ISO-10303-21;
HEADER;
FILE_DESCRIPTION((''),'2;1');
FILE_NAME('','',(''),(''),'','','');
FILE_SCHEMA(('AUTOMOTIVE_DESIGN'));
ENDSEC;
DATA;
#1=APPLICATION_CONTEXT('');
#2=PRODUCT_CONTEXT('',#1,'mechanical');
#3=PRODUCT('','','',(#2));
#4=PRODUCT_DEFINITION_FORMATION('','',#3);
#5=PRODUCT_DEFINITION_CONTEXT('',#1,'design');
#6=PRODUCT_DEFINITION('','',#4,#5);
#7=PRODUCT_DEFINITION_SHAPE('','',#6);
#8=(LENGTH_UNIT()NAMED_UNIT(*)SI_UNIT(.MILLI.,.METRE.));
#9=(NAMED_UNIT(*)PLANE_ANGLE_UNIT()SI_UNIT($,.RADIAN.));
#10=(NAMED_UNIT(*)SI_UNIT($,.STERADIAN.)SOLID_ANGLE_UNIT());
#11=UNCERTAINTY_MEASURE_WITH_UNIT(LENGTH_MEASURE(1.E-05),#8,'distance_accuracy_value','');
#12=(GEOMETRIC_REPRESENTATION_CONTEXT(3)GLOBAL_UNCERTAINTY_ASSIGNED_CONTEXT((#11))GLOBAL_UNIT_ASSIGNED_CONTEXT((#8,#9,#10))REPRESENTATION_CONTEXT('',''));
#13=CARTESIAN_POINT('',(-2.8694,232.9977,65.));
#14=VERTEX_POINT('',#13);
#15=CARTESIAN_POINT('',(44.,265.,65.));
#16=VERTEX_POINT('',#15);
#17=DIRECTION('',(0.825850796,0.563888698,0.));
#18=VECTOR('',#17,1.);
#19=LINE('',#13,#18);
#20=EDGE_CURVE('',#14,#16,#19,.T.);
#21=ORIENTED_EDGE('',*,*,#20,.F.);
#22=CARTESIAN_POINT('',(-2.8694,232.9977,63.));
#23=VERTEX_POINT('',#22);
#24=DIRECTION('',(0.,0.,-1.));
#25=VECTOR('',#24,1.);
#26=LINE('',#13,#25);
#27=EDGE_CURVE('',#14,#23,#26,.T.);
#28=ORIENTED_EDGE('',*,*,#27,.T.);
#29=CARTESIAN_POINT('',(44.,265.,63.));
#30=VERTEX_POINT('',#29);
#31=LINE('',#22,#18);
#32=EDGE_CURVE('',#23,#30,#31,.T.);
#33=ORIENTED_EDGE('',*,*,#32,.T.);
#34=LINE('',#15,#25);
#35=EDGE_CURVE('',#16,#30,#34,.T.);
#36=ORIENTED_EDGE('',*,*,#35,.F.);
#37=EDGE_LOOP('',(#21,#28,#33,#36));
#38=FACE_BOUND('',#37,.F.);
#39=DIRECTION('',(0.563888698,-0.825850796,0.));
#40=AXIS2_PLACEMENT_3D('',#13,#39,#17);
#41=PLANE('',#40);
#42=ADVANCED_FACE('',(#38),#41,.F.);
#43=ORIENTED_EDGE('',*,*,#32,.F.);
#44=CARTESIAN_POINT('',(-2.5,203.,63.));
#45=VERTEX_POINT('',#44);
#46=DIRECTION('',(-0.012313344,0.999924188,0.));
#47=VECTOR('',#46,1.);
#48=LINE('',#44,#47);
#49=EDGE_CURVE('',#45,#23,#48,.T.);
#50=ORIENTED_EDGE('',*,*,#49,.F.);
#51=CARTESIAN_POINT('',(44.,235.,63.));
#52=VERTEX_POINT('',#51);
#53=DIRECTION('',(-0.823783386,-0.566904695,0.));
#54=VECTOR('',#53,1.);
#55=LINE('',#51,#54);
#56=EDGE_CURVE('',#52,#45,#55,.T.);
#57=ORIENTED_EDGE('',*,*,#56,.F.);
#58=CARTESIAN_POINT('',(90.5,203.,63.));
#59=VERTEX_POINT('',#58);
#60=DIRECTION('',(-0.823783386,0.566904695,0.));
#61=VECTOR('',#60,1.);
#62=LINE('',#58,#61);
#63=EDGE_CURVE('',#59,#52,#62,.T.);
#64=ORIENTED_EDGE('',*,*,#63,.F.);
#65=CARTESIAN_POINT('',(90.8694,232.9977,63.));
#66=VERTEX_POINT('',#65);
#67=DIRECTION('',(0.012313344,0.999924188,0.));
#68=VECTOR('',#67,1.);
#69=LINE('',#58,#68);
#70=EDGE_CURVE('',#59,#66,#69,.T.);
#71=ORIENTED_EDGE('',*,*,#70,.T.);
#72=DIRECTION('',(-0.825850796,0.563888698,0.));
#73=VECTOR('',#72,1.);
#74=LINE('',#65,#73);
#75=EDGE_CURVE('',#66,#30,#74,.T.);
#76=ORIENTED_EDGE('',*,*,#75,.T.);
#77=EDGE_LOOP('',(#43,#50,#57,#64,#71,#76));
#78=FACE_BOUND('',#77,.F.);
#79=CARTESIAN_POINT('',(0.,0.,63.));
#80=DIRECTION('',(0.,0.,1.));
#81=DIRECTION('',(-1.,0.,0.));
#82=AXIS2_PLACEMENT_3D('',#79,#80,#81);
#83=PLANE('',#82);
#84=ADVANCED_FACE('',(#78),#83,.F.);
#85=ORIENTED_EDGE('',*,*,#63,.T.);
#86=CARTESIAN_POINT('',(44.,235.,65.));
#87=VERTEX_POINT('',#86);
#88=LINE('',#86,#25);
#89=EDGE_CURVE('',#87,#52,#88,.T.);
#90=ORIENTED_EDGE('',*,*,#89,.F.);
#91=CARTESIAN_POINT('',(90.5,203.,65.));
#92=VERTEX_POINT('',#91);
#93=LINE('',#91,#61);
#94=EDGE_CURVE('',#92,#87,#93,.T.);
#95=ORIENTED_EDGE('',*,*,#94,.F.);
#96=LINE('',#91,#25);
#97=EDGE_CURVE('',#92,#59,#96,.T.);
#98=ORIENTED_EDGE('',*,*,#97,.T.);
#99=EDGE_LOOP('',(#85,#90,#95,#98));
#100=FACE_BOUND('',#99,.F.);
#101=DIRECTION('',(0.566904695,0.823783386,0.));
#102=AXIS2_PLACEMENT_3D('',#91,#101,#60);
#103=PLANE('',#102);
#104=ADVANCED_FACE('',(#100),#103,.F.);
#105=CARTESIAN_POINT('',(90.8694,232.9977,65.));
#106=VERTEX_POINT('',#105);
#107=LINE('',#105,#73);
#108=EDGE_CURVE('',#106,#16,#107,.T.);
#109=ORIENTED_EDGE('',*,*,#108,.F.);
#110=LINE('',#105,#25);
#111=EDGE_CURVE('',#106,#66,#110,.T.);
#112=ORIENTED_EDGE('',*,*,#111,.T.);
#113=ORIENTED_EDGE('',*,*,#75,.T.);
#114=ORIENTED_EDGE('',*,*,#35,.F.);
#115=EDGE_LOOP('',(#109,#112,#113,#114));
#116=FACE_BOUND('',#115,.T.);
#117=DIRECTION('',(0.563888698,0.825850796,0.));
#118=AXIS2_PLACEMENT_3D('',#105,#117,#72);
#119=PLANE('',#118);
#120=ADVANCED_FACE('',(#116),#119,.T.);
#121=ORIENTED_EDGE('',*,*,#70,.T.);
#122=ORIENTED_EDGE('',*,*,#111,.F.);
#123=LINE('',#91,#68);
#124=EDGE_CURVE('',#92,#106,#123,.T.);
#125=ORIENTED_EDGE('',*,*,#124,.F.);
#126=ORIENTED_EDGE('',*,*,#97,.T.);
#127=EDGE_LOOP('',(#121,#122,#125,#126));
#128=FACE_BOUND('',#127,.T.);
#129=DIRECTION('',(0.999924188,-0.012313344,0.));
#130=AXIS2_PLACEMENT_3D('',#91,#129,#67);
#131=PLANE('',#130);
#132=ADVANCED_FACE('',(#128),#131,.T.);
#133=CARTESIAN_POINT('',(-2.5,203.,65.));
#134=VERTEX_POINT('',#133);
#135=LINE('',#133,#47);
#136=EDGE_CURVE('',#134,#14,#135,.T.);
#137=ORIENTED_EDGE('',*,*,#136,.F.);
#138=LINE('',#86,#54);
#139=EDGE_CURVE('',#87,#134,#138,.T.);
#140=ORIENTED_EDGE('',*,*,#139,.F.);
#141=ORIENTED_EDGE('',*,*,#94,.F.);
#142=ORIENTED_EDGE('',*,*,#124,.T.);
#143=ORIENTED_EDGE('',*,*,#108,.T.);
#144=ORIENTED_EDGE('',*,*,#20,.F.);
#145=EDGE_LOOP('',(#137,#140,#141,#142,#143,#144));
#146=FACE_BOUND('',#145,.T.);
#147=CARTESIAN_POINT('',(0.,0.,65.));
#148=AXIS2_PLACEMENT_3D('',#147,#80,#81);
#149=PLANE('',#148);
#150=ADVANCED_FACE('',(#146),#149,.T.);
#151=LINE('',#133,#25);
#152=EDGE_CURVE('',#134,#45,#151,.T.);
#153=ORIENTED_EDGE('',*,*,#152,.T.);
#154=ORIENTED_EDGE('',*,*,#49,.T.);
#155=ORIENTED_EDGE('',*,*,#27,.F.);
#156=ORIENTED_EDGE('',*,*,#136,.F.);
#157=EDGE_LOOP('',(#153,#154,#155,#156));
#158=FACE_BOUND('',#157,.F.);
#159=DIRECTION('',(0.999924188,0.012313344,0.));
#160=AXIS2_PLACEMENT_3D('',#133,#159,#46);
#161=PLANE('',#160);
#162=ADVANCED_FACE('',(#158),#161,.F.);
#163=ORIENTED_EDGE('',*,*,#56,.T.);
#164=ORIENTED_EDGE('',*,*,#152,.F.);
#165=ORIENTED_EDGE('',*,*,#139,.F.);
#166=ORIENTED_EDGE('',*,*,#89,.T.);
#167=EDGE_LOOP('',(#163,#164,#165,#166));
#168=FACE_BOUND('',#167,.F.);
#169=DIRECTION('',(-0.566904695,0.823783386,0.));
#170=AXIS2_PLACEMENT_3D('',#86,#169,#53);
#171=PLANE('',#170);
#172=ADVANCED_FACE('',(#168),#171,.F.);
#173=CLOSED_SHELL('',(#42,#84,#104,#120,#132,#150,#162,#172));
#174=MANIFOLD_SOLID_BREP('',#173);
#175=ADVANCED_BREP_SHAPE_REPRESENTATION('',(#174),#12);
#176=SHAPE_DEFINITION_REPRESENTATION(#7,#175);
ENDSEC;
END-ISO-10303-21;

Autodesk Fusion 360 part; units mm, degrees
sketch "Esboço1" plane through (0, 0, 0) normal (0, 0, 1) x (1, 0, 0)
  line L0 (0, 0) -> (88, 0)
  line L1 (-2.5, 203) -> (0, 0)
  line L2 (90.5, 203) -> (88, 0)
  line L3 (44, 235) -> (90.5, 203)
  line L4 (44, 235) -> (-2.5, 203)
  line L5 (88.487, 201.9575) -> (86.0245, 2)
  line L6 (1.9755, 2) -> (86.0245, 2)
  line L7 (-0.487, 201.9575) -> (1.9755, 2)
  line L8 (44, 232.5722) -> (-0.487, 201.9575)
  line L9 (44, 232.5722) -> (88.487, 201.9575)
  dimension "d1" = 88
  dimension "d7" = -2
sketch "Esboço2" plane through (0, 0, 5) normal (0, 0, 1) x (-1, 0, 0)
  line L0 (-1.9755, -2) -> (0.487, -201.9575)
  line L1 (0.487, -201.9575) -> (-44, -232.5722)
  line L2 (-44, -232.5722) -> (-88.487, -201.9575)
  line L3 (-88.487, -201.9575) -> (-86.0245, -2)
  line L4 (-86.0245, -2) -> (-1.9755, -2)
  line L5 (-90.5, -203) -> (-44, -235)
  line L6 (-44, -235) -> (2.5, -203)
  line L7 (2.5, -203) -> (0, 0)
  line L8 (0, 0) -> (-88, 0)
  line L9 (-88, 0) -> (-90.5, -203)
  line L10 (-44, -228.9304) -> (-85.4675, -200.3937)
  line L11 (-85.4675, -200.3937) -> (-83.0612, -5)
  line L12 (-83.0612, -5) -> (-4.9388, -5)
  line L13 (-4.9388, -5) -> (-2.5325, -200.3937)
  line L14 (-2.5325, -200.3937) -> (-44, -228.9304)
  dimension "d10" = 3
sketch "Esboço3" plane through (0, 0, 5) normal (0, 0, 1) x (-1, 0, 0)
  line L0 (-4.9388, -5) -> (-2.5325, -200.3937)
  line L1 (-2.5325, -200.3937) -> (-44, -228.9304)
  line L2 (-44, -228.9304) -> (-85.4675, -200.3937)
  line L3 (-85.4675, -200.3937) -> (-83.0612, -5)
  line L4 (-83.0612, -5) -> (-4.9388, -5)
  line L5 (-4.0422, -199.6117) -> (-44, -227.1096)
  line L6 (-44, -227.1096) -> (-83.9578, -199.6117)
  line L7 (-83.9578, -199.6117) -> (-81.5796, -6.5)
  line L8 (-81.5796, -6.5) -> (-6.4204, -6.5)
  line L9 (-6.4204, -6.5) -> (-4.0422, -199.6117)
  line L10 (-86.0245, -2) -> (-88.487, -201.9575)
  line L11 (-88.487, -201.9575) -> (-44, -232.5722)
  line L12 (-44, -232.5722) -> (0.487, -201.9575)
  line L13 (0.487, -201.9575) -> (-1.9755, -2)
  line L14 (-1.9755, -2) -> (-86.0245, -2)
  dimension "d13" = 1.5
sketch "Esboço4" plane through (0, 0, 5) normal (0, 0, 1) x (-1, 0, 0)
  line L0 (-81.5796, -6.5) -> (-6.4204, -6.5)
  line L1 (-6.4204, -6.5) -> (-4.0422, -199.6117)
  line L2 (-4.0422, -199.6117) -> (-44, -227.1096)
  line L3 (-44, -227.1096) -> (-83.9578, -199.6117)
  line L4 (-83.9578, -199.6117) -> (-81.5796, -6.5)
  line L5 (-44, -233.1791) -> (0.9903, -202.2181)
  line L6 (0.9903, -202.2181) -> (-1.4816, -1.5)
  line L7 (-1.4816, -1.5) -> (-86.5184, -1.5)
  line L8 (-86.5184, -1.5) -> (-88.9903, -202.2181)
  line L9 (-88.9903, -202.2181) -> (-44, -233.1791)
  line L10 (-83.0612, -5) -> (-85.4675, -200.3937)
  line L11 (-85.4675, -200.3937) -> (-44, -228.9304)
  line L12 (-44, -228.9304) -> (-2.5325, -200.3937)
  line L13 (-2.5325, -200.3937) -> (-4.9388, -5)
  line L14 (-4.9388, -5) -> (-83.0612, -5)
sketch "Esboço5" plane through (86.4868, -1.0651, 0) normal (-0.9999, 0.0123, 0) x (-0.0123, -0.9999, 0)
  line L0 (-2.5653, 5) -> (-2.5653, 65)
  line L1 (-2.5653, 65) -> (-203.2986, 65)
  line L2 (-203.2986, 65) -> (-203.2986, 5)
  line L3 (-2.5653, 65) -> (-2.5653, 63)
  line L4 (-2.5653, 63) -> (-10.5653, 63)
  line L5 (-10.5653, 63) -> (-10.5653, 60)
  line L6 (-10.5653, 60) -> (-2.5653, 60)
  line L7 (-203.2986, 5) -> (-2.5653, 5)
  dimension "d19" = 2
  dimension "d20" = 8
  dimension "d21" = 3
sketch "Esboço6" plane through (0, 0, 63) normal (0, 0, 1) x (-1, 0, 0)
  line L0 (-86.6169, -9.4994) -> (-78.6175, -9.5979)
  line L1 (-78.6175, -9.5979) -> (-78.519, -1.5985)
  line L2 (-78.519, -1.5985) -> (-86.5184, -1.5)
  line L3 (-78.519, -1.5985) -> (-86.6169, -9.4994)
  line L4 (-86.5184, -1.5) -> (-86.6169, -9.4994)
sketch "Esboço7" plane through (0, 0, 63) normal (0, 0, 1) x (-1, 0, 0)
  line L0 (-86.6169, -9.4994) -> (-78.519, -1.5985)
  line L1 (-78.519, -1.5985) -> (-86.5184, -1.5)
  circle A0 centre (-84.5431, -3.5245) radius 1
  line L2 (-86.5184, -1.5) -> (-86.6169, -9.4994)
  dimension "d26" = 2
sketch "Esboço8" plane through (1.4999, 0.0185, 0) normal (0.9999, 0.0123, 0) x (-0.0123, 0.9999, 0)
  line L0 (202.215, 5) -> (202.215, 65)
  line L1 (202.215, 65) -> (1.4816, 65)
  line L2 (1.4816, 65) -> (1.4816, 5)
  line L3 (1.4816, 65) -> (1.4816, 63)
  line L4 (1.4816, 63) -> (9.4816, 63)
  line L5 (9.4816, 63) -> (9.4816, 60)
  line L6 (9.4816, 60) -> (1.4816, 60)
  line L7 (1.4816, 5) -> (202.215, 5)
  dimension "d29" = 2
  dimension "d30" = 8
sketch "Esboço9" plane through (0, 0, 63) normal (0, 0, 1) x (-1, 0, 0)
  line L0 (-1.4816, -1.5) -> (-9.481, -1.5985)
  line L1 (-9.481, -1.5985) -> (-9.3825, -9.5979)
  line L2 (-9.3825, -9.5979) -> (-1.3831, -9.4994)
  line L3 (-9.481, -1.5985) -> (-1.3831, -9.4994)
  line L4 (-1.3831, -9.4994) -> (-1.4816, -1.5)
sketch "Esboço10" plane through (0, 0, 63) normal (0, 0, 1) x (-1, 0, 0)
  line L0 (-9.481, -1.5985) -> (-1.3831, -9.4994)
  line L1 (-1.4816, -1.5) -> (-9.481, -1.5985)
  circle A0 centre (-3.4569, -3.5245) radius 1
  line L2 (-1.3831, -9.4994) -> (-1.4816, -1.5)
  dimension "d35" = 2
sketch "Esboço11" plane through (-94.7554, 137.6915, 0) normal (0.5669, -0.8238, 0) x (0.8238, 0.5669, 0)
  line L0 (168.4368, 5) -> (168.4368, 65)
  line L1 (168.4368, 65) -> (113.8226, 65)
  line L2 (113.8226, 65) -> (113.8226, 5)
  line L3 (113.8226, 5) -> (168.4368, 5)
sketch "Esboço12" plane through (0, 0, 0) normal (0, 0, 1) x (1, 0, 0)
ref_plane "Plano de trabalho2" through (0, 0, 60) normal (0, 0, 1) x (1, 0, 0)
sketch "Esboço13" plane through (0, 0, 60) normal (0, 0, 1) x (1, 0, 0)
  line L0 (44, 229.2) -> (38, 229.2)
  line L1 (44, 229.2) -> (49.6973, 229.2)
  line L2 (38, 229.2) -> (44, 233.5)
  line L3 (44, 233.5) -> (49.6973, 229.2)
sketch "Esboço14" plane through (0, 0, 63) normal (0, 0, 1) x (-1, 0, 0)
  line L0 (-38, -229.2) -> (-49.6973, -229.2)
  line L1 (-49.6973, -229.2) -> (-44, -233.5)
  circle A0 centre (-43.9788, -231.1896) radius 1
  line L2 (-44, -233.5) -> (-38, -229.2)
  dimension "d48" = 2
sketch "Esboço15" plane through (0, 0, 65) normal (0, 0, 1) x (-1, 0, 0)
  line L0 (-44, -233.1791) -> (-88.9903, -202.2181)
  line L1 (-88.9903, -202.2181) -> (-86.5184, -1.5)
  line L2 (-86.5184, -1.5) -> (-1.4816, -1.5)
  line L3 (-1.4816, -1.5) -> (0.9903, -202.2181)
  line L4 (0.9903, -202.2181) -> (-44, -233.1791)
  line L5 (-88, 0) -> (-90.5, -203)
  line L6 (-90.5, -203) -> (-44, -235)
  line L7 (-44, -235) -> (2.5, -203)
  line L8 (2.5, -203) -> (0, 0)
  line L9 (0, 0) -> (-88, 0)
  line L10 (-196.5184, -1.5) -> (-111.4816, -1.5)
  line L11 (-198.9903, -202.2181) -> (-196.5184, -1.5)
  line L12 (-111.4816, -1.5) -> (-109.0097, -202.2181)
  line L13 (168.4368, 65) -> (113.8226, 65)
  line L14 (168.4368, 65) -> (113.8226, 65)
  line L15 (168.4368, 65) -> (113.8226, 65)
  line L16 (-154, -233.1791) -> (-198.9903, -202.2181)
  line L17 (-109.0097, -202.2181) -> (-154, -233.1791)
sketch "Esboço16" plane through (0, 0, 63) normal (0, 0, 1) x (-1, 0, 0)
  line L0 (-38, -229.2) -> (-49.6973, -229.2)
  line L1 (-49.6973, -229.2) -> (-44, -233.5)
  line L2 (-44, -233.5) -> (-38, -229.2)
sketch "Esboço17" plane through (0, 0, 67) normal (0, 0, 1) x (-1, 0, 0)
  line L0 (-109.0097, -202.2181) -> (-111.4816, -1.5)
  line L1 (-111.4816, -1.5) -> (-196.5184, -1.5)
  line L2 (-196.5184, -1.5) -> (-198.9903, -202.2181)
  line L3 (-198.9903, -202.2181) -> (-154, -233.1791)
  line L4 (-154, -233.1791) -> (-109.0097, -202.2181)
  circle A0 centre (-154, -231.1891) radius 1
  dimension "d55" = 1.99
  dimension "d56" = 2
sketch "Esboço18" plane through (0, 0, 63) normal (0, 0, 1) x (-1, 0, 0)
  circle A0 centre (-84.5431, -3.5245) radius 1
  line L0 (-86.6169, -9.4994) -> (-78.519, -1.5985)
  line L1 (-78.519, -1.5985) -> (-86.5184, -1.5)
  line L2 (-86.5184, -1.5) -> (-86.6169, -9.4994)
sketch "Esboço19" plane through (0, 0, 67) normal (0, 0, 1) x (-1, 0, 0)
  circle A0 centre (-154, -231.1891) radius 1
  line L0 (-109.0097, -202.2181) -> (-111.4816, -1.5)
  line L1 (-111.4816, -1.5) -> (-196.5184, -1.5)
  line L2 (-196.5184, -1.5) -> (-198.9903, -202.2181)
  line L3 (-198.9903, -202.2181) -> (-154, -233.1791)
  line L4 (-154, -233.1791) -> (-109.0097, -202.2181)
  circle A1 centre (-194.2131, -3.138) radius 1
  circle A2 centre (-113.2857, -2.8975) radius 1
  dimension "d59" = 2.828
  dimension "d60" = 2
  dimension "d61" = 2.282
  dimension "d62" = 2
sketch "Esboço20" plane through (0, 0, 65) normal (0, 0, 1) x (-1, 0, 0)
  line L0 (-44, -233.1791) -> (-88.9903, -202.2181)
  line L1 (-88.9903, -202.2181) -> (-86.5184, -1.5)
  line L2 (-86.5184, -1.5) -> (-1.4816, -1.5)
  line L3 (-1.4816, -1.5) -> (0.9903, -202.2181)
  line L4 (0.9903, -202.2181) -> (-44, -233.1791)
  line L5 (-88, 0) -> (-90.5, -203)
  line L6 (-90.5, -203) -> (-44, -235)
  line L7 (-44, -235) -> (2.5, -203)
  line L8 (2.5, -203) -> (0, 0)
  line L9 (0, 0) -> (-88, 0)
  line L10 (-44, -235) -> (2.5, -203)
  line L11 (-90.5, -203) -> (-90.8694, -232.9977)
  line L12 (-90.8694, -232.9977) -> (-44, -265)
  line L13 (2.5, -203) -> (2.8694, -232.9977)
  line L14 (2.8694, -232.9977) -> (-44, -265)
  line L15 (-90.5, -203) -> (-44, -235)
  dimension "d65" = 30
  dimension "d66" = 30
  dimension "d67" = 30
extrude "Extrusão17" add sketch "Esboço20" against normal blind 2 contours L6 L7 L10 L11 L12 L13 L14 L15
